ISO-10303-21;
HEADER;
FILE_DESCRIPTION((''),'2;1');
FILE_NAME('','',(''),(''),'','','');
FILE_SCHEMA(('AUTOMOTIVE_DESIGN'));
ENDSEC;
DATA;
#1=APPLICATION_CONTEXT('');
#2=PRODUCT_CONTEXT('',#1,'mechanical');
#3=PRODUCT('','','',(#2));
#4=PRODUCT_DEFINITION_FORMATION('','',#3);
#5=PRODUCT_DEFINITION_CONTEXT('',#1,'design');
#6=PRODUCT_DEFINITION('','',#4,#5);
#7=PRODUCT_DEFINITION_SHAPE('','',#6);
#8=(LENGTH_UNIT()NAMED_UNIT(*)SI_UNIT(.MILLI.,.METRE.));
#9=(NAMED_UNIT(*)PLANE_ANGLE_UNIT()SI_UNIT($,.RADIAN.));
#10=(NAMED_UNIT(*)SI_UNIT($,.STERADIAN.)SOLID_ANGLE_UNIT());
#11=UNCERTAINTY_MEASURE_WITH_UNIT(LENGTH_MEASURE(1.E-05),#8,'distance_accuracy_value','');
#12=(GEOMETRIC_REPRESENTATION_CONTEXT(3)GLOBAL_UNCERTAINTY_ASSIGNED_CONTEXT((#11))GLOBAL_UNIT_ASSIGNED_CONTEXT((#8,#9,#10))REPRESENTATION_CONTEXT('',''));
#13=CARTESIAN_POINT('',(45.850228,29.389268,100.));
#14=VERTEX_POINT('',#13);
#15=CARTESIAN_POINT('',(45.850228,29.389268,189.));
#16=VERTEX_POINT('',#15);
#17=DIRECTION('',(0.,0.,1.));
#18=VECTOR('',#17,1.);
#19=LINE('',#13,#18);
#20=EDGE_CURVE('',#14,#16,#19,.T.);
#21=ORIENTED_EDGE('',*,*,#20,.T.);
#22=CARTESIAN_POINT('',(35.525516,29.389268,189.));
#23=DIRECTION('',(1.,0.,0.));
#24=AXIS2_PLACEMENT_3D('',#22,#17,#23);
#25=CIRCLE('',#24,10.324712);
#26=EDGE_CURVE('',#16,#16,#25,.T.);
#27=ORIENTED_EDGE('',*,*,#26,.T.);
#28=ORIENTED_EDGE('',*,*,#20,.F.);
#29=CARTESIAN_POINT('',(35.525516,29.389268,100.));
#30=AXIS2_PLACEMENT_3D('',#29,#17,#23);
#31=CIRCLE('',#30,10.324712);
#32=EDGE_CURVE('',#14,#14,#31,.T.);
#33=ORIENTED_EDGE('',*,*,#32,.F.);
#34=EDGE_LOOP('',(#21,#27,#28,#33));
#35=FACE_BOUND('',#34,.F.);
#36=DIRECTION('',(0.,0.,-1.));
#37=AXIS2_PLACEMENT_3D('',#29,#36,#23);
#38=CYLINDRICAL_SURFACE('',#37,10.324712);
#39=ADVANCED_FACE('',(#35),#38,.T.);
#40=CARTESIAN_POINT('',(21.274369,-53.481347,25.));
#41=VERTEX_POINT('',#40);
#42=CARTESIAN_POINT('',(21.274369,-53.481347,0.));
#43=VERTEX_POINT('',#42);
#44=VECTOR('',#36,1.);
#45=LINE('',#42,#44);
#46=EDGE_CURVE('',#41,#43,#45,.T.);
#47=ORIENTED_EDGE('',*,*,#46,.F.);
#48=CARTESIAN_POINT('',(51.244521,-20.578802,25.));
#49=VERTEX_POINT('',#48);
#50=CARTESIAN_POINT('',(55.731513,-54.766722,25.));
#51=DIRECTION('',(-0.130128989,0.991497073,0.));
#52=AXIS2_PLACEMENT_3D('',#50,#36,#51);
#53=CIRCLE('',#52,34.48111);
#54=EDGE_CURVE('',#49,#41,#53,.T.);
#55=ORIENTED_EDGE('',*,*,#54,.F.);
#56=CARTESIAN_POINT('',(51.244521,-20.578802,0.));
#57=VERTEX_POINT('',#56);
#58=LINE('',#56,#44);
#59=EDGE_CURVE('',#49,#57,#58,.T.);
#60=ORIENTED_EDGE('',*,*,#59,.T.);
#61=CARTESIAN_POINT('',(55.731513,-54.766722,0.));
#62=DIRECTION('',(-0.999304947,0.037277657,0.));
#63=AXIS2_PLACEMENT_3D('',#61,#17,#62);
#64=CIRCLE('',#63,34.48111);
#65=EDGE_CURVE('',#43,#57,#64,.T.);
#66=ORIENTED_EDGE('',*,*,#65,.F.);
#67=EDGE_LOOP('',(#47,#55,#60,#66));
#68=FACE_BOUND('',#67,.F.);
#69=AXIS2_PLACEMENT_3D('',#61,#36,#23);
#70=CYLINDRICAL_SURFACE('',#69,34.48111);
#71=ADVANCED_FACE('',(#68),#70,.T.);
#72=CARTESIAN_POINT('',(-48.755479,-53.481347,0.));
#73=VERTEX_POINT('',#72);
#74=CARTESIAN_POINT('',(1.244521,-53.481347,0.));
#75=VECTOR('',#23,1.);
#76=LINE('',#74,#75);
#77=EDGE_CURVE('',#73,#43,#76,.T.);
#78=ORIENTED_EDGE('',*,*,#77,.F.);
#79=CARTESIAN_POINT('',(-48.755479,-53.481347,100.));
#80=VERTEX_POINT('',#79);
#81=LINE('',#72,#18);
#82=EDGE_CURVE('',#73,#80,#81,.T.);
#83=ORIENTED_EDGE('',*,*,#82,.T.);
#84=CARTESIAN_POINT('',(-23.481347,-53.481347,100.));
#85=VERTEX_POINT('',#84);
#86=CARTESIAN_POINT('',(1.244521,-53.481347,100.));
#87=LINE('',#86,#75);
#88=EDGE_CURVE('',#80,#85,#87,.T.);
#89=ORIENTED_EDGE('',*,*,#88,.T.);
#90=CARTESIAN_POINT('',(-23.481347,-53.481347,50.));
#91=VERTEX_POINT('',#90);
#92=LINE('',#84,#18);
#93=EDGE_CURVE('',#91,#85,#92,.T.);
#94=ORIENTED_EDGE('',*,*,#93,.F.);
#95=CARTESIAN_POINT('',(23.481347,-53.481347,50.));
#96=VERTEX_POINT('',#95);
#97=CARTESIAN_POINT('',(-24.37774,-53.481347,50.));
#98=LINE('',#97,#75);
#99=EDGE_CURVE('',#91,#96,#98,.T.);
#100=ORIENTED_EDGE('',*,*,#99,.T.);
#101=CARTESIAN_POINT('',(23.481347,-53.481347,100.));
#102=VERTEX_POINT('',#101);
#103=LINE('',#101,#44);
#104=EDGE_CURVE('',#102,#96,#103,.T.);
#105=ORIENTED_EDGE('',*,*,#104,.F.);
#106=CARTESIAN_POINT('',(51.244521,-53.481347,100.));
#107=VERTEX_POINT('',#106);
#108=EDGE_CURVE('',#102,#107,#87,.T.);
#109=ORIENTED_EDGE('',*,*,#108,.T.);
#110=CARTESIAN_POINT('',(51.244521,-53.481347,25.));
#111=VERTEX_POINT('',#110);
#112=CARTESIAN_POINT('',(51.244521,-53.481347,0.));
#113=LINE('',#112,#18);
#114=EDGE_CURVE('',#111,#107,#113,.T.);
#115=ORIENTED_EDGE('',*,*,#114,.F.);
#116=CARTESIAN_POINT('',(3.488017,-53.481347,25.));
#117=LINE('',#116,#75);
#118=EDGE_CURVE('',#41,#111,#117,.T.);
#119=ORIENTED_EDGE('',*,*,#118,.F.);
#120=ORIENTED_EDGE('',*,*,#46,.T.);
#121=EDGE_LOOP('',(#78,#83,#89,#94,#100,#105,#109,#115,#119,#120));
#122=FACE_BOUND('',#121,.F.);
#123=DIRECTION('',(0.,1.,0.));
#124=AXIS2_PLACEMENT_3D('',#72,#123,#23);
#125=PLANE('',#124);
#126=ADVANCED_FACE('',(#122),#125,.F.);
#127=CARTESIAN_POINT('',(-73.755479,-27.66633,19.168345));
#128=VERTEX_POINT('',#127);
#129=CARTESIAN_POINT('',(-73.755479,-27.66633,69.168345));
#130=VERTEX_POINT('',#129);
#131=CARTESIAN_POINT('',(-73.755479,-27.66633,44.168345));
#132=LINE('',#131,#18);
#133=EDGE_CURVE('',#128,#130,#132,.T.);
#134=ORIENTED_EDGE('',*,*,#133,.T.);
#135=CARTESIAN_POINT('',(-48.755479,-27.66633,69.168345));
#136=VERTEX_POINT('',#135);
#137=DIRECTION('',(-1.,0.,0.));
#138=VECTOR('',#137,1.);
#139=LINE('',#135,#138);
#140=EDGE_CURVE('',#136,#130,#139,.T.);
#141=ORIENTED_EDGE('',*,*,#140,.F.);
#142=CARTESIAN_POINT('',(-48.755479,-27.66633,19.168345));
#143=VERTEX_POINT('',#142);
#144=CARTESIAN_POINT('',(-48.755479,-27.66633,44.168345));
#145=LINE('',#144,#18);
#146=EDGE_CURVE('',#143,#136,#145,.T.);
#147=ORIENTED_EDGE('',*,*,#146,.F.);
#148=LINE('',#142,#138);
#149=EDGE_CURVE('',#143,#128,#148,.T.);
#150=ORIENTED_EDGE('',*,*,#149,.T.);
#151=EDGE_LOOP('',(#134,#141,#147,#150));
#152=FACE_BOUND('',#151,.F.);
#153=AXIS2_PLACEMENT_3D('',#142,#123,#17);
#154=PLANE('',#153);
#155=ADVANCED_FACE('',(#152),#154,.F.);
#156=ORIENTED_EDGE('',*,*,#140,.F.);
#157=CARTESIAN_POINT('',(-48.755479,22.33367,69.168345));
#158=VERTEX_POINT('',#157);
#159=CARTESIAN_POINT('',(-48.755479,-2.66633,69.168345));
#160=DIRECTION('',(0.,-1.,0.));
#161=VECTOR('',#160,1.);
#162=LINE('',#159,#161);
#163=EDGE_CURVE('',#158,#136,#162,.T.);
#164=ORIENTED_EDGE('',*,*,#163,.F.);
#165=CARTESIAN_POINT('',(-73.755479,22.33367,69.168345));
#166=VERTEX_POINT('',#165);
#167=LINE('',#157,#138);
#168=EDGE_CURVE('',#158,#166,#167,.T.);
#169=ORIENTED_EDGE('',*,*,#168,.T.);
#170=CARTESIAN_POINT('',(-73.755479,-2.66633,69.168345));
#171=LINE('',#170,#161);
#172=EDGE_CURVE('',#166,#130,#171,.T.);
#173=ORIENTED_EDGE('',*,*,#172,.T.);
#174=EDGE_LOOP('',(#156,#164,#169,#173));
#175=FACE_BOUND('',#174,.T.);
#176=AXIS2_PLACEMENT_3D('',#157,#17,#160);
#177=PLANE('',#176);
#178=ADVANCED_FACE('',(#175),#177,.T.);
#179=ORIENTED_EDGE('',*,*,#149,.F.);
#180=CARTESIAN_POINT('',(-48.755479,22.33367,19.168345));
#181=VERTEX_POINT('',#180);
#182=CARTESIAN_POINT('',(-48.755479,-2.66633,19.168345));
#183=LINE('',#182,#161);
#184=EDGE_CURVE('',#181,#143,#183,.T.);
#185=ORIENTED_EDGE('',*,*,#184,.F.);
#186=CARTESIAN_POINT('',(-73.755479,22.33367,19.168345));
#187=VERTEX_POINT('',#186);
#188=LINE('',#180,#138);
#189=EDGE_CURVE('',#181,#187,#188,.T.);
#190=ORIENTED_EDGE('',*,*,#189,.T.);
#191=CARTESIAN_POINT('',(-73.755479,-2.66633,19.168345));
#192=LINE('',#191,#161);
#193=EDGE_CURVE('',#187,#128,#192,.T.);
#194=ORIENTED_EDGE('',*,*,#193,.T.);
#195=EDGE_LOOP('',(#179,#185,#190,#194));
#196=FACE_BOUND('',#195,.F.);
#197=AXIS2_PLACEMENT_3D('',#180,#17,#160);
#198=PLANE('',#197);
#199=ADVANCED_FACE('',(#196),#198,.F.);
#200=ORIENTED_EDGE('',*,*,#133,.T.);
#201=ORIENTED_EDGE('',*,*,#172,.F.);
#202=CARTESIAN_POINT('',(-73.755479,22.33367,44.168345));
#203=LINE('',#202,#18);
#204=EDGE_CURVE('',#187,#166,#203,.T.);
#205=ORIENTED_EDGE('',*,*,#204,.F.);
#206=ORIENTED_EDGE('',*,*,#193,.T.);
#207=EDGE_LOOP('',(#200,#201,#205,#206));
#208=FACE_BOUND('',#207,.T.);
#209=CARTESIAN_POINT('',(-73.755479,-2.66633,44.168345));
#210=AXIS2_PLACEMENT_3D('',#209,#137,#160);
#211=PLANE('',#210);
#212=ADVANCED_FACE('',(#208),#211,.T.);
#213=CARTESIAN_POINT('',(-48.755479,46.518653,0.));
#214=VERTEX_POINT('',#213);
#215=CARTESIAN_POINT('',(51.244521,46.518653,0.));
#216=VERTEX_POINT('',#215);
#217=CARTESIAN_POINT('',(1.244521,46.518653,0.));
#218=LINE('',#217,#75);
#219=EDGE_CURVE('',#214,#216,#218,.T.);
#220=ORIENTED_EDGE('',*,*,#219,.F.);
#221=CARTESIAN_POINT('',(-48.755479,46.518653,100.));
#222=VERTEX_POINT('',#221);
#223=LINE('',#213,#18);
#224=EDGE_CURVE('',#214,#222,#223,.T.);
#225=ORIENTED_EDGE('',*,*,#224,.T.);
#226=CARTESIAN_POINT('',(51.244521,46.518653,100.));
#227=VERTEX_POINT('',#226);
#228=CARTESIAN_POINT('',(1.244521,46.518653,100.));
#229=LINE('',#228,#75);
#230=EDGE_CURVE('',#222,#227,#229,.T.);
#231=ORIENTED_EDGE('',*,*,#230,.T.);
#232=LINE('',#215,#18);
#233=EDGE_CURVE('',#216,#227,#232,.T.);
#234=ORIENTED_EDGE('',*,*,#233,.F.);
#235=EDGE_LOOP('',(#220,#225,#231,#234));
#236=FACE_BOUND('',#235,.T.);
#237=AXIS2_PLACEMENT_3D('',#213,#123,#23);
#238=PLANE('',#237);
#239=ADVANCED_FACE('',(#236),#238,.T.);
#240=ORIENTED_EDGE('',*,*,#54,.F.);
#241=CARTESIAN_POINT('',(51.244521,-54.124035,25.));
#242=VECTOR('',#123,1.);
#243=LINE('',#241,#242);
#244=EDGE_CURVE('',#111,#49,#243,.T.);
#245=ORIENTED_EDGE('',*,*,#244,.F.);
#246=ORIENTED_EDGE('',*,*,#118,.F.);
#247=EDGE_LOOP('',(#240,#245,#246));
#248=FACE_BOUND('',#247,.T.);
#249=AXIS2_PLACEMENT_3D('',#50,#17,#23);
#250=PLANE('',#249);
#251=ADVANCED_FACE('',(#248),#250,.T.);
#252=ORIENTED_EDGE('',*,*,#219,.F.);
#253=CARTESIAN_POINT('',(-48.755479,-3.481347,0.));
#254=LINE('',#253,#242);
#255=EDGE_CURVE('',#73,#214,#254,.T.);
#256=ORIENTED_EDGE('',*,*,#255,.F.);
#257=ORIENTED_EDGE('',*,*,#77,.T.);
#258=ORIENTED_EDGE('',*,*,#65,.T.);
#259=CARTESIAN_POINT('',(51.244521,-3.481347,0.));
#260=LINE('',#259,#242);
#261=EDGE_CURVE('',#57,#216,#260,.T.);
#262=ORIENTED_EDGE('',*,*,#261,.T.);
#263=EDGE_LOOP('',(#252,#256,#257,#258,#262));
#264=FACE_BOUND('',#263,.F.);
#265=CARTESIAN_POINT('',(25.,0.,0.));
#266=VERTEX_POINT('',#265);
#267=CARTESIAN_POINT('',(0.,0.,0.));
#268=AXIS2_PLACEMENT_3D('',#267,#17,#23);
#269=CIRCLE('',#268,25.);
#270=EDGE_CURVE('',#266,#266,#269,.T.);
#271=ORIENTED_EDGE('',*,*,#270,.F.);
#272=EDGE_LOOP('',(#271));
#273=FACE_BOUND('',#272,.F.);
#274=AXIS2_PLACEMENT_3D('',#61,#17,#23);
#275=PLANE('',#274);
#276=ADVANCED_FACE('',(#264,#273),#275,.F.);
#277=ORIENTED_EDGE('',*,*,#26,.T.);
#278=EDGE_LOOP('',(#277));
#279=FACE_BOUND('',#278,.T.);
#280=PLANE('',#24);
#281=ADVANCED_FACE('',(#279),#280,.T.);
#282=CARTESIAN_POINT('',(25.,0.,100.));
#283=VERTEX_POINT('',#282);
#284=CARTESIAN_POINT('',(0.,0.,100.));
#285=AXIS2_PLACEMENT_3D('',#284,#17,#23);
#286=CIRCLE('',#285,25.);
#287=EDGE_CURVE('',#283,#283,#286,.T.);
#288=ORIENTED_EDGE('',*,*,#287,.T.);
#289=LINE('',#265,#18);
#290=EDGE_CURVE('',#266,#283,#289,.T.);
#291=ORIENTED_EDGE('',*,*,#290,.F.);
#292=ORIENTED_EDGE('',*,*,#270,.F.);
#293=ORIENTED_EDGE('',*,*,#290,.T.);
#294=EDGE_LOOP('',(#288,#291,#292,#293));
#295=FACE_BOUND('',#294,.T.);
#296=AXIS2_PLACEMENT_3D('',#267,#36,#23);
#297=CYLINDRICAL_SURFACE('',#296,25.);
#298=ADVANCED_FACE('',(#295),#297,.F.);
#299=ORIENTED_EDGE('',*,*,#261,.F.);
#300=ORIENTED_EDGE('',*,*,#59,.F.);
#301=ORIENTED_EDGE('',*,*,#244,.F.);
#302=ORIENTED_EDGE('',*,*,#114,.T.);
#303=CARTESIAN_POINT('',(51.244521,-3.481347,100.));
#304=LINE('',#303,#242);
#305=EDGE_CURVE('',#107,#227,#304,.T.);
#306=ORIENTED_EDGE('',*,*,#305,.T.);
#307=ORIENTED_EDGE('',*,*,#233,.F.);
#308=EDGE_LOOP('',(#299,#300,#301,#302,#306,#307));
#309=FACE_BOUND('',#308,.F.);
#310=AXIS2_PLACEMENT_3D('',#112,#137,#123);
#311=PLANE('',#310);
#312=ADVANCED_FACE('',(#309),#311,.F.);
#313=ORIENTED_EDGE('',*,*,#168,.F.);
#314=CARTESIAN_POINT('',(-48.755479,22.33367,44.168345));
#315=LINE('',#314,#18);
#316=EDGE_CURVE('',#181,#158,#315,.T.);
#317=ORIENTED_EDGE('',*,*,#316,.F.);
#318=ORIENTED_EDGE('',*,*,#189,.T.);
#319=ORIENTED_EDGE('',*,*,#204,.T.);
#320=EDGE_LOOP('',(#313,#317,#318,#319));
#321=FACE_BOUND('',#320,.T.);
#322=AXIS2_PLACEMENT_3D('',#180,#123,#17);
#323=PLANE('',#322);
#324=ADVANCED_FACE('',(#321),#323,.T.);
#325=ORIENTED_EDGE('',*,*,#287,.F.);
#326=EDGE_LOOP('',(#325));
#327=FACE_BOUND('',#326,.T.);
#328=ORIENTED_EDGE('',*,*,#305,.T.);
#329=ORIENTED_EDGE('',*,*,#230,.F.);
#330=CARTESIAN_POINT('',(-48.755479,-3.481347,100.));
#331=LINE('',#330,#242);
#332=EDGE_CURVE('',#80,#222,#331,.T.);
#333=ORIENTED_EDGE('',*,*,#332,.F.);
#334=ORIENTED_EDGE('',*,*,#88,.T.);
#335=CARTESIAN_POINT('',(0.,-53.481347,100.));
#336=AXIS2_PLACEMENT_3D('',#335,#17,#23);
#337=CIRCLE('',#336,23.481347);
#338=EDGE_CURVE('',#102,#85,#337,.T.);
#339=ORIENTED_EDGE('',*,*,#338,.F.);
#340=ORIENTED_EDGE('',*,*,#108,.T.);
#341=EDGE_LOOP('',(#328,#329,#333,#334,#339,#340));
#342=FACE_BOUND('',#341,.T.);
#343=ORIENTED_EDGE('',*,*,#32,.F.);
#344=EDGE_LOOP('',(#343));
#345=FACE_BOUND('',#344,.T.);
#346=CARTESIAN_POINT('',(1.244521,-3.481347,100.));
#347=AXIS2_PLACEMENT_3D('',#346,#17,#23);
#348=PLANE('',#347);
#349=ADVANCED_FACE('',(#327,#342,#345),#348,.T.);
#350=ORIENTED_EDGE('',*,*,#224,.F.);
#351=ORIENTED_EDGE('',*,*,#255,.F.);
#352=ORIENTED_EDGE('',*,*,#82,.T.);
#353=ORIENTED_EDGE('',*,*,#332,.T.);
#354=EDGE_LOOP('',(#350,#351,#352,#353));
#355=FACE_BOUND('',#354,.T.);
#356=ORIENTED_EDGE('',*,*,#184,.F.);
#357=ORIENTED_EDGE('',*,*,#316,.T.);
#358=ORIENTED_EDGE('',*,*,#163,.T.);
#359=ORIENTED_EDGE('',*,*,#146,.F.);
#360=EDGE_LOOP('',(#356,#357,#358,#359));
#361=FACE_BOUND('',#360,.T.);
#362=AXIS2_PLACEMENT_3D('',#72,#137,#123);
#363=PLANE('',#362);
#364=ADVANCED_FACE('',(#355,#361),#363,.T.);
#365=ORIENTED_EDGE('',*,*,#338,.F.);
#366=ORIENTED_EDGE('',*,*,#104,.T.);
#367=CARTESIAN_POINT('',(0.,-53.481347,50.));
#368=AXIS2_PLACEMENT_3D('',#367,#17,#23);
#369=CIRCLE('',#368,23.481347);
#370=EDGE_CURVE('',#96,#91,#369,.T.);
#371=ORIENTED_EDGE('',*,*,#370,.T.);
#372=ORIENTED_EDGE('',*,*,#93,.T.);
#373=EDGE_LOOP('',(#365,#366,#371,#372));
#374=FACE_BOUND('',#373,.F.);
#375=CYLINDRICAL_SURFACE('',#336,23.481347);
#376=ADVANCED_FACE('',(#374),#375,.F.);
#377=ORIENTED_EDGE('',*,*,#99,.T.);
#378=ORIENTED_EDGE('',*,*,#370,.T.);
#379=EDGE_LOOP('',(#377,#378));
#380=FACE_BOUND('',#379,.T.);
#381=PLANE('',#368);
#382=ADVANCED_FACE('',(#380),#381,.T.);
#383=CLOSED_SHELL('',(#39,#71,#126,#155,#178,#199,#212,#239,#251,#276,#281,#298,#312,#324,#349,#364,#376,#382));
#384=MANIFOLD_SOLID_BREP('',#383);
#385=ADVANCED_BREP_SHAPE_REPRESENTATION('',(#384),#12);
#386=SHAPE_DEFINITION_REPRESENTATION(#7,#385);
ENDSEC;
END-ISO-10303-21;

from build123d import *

# Parameters (mm, degrees)
F0_W     = 100
F0_H     = 100
F0_R     = 25
F1_DEPTH = 100
F2_R     = 23.481347
F3_DEPTH = 50
F4_W     = 50
F4_H     = 50
F5_DEPTH = 25
F6_R     = 34.48111
F7_DEPTH = 25
F8_R     = 10.324712
F9_DEPTH = 89


with BuildPart() as f1:
    # F0 (on Top) → F1 (new body)
    with BuildSketch(Plane.XY):
        with Locations((1.244521, -3.481347)):
            Rectangle(F0_W, F0_H)
        Circle(F0_R, mode=Mode.SUBTRACT)
    extrude(amount=F1_DEPTH)

    # F2 (on face) → F3 (cut)
    with BuildSketch(Plane.XY.offset(100)):
        with Locations((0, -53.481347)):
            Circle(F2_R)
    extrude(amount=-F3_DEPTH, mode=Mode.SUBTRACT)

    # F4 (on face) → F5 (join)
    with BuildSketch(Plane(origin=(-48.755479, 0, 0), x_dir=(0, -1, 0), z_dir=(-1, 0, 0))):
        with Locations((2.66633, 44.168345)):
            Rectangle(F4_W, F4_H)
    extrude(amount=F5_DEPTH)

    # F6 (on Top) → F7 (join)
    with BuildSketch(Plane.XY):
        with Locations((55.731513, -54.766722)):
            Circle(F6_R)
    extrude(amount=F7_DEPTH)

    # F8 (on face) → F9 (join)
    with BuildSketch(Plane.XY.offset(100)):
        with Locations((35.525516, 29.389268)):
            Circle(F8_R)
    extrude(amount=F9_DEPTH)


solid = f1.part
